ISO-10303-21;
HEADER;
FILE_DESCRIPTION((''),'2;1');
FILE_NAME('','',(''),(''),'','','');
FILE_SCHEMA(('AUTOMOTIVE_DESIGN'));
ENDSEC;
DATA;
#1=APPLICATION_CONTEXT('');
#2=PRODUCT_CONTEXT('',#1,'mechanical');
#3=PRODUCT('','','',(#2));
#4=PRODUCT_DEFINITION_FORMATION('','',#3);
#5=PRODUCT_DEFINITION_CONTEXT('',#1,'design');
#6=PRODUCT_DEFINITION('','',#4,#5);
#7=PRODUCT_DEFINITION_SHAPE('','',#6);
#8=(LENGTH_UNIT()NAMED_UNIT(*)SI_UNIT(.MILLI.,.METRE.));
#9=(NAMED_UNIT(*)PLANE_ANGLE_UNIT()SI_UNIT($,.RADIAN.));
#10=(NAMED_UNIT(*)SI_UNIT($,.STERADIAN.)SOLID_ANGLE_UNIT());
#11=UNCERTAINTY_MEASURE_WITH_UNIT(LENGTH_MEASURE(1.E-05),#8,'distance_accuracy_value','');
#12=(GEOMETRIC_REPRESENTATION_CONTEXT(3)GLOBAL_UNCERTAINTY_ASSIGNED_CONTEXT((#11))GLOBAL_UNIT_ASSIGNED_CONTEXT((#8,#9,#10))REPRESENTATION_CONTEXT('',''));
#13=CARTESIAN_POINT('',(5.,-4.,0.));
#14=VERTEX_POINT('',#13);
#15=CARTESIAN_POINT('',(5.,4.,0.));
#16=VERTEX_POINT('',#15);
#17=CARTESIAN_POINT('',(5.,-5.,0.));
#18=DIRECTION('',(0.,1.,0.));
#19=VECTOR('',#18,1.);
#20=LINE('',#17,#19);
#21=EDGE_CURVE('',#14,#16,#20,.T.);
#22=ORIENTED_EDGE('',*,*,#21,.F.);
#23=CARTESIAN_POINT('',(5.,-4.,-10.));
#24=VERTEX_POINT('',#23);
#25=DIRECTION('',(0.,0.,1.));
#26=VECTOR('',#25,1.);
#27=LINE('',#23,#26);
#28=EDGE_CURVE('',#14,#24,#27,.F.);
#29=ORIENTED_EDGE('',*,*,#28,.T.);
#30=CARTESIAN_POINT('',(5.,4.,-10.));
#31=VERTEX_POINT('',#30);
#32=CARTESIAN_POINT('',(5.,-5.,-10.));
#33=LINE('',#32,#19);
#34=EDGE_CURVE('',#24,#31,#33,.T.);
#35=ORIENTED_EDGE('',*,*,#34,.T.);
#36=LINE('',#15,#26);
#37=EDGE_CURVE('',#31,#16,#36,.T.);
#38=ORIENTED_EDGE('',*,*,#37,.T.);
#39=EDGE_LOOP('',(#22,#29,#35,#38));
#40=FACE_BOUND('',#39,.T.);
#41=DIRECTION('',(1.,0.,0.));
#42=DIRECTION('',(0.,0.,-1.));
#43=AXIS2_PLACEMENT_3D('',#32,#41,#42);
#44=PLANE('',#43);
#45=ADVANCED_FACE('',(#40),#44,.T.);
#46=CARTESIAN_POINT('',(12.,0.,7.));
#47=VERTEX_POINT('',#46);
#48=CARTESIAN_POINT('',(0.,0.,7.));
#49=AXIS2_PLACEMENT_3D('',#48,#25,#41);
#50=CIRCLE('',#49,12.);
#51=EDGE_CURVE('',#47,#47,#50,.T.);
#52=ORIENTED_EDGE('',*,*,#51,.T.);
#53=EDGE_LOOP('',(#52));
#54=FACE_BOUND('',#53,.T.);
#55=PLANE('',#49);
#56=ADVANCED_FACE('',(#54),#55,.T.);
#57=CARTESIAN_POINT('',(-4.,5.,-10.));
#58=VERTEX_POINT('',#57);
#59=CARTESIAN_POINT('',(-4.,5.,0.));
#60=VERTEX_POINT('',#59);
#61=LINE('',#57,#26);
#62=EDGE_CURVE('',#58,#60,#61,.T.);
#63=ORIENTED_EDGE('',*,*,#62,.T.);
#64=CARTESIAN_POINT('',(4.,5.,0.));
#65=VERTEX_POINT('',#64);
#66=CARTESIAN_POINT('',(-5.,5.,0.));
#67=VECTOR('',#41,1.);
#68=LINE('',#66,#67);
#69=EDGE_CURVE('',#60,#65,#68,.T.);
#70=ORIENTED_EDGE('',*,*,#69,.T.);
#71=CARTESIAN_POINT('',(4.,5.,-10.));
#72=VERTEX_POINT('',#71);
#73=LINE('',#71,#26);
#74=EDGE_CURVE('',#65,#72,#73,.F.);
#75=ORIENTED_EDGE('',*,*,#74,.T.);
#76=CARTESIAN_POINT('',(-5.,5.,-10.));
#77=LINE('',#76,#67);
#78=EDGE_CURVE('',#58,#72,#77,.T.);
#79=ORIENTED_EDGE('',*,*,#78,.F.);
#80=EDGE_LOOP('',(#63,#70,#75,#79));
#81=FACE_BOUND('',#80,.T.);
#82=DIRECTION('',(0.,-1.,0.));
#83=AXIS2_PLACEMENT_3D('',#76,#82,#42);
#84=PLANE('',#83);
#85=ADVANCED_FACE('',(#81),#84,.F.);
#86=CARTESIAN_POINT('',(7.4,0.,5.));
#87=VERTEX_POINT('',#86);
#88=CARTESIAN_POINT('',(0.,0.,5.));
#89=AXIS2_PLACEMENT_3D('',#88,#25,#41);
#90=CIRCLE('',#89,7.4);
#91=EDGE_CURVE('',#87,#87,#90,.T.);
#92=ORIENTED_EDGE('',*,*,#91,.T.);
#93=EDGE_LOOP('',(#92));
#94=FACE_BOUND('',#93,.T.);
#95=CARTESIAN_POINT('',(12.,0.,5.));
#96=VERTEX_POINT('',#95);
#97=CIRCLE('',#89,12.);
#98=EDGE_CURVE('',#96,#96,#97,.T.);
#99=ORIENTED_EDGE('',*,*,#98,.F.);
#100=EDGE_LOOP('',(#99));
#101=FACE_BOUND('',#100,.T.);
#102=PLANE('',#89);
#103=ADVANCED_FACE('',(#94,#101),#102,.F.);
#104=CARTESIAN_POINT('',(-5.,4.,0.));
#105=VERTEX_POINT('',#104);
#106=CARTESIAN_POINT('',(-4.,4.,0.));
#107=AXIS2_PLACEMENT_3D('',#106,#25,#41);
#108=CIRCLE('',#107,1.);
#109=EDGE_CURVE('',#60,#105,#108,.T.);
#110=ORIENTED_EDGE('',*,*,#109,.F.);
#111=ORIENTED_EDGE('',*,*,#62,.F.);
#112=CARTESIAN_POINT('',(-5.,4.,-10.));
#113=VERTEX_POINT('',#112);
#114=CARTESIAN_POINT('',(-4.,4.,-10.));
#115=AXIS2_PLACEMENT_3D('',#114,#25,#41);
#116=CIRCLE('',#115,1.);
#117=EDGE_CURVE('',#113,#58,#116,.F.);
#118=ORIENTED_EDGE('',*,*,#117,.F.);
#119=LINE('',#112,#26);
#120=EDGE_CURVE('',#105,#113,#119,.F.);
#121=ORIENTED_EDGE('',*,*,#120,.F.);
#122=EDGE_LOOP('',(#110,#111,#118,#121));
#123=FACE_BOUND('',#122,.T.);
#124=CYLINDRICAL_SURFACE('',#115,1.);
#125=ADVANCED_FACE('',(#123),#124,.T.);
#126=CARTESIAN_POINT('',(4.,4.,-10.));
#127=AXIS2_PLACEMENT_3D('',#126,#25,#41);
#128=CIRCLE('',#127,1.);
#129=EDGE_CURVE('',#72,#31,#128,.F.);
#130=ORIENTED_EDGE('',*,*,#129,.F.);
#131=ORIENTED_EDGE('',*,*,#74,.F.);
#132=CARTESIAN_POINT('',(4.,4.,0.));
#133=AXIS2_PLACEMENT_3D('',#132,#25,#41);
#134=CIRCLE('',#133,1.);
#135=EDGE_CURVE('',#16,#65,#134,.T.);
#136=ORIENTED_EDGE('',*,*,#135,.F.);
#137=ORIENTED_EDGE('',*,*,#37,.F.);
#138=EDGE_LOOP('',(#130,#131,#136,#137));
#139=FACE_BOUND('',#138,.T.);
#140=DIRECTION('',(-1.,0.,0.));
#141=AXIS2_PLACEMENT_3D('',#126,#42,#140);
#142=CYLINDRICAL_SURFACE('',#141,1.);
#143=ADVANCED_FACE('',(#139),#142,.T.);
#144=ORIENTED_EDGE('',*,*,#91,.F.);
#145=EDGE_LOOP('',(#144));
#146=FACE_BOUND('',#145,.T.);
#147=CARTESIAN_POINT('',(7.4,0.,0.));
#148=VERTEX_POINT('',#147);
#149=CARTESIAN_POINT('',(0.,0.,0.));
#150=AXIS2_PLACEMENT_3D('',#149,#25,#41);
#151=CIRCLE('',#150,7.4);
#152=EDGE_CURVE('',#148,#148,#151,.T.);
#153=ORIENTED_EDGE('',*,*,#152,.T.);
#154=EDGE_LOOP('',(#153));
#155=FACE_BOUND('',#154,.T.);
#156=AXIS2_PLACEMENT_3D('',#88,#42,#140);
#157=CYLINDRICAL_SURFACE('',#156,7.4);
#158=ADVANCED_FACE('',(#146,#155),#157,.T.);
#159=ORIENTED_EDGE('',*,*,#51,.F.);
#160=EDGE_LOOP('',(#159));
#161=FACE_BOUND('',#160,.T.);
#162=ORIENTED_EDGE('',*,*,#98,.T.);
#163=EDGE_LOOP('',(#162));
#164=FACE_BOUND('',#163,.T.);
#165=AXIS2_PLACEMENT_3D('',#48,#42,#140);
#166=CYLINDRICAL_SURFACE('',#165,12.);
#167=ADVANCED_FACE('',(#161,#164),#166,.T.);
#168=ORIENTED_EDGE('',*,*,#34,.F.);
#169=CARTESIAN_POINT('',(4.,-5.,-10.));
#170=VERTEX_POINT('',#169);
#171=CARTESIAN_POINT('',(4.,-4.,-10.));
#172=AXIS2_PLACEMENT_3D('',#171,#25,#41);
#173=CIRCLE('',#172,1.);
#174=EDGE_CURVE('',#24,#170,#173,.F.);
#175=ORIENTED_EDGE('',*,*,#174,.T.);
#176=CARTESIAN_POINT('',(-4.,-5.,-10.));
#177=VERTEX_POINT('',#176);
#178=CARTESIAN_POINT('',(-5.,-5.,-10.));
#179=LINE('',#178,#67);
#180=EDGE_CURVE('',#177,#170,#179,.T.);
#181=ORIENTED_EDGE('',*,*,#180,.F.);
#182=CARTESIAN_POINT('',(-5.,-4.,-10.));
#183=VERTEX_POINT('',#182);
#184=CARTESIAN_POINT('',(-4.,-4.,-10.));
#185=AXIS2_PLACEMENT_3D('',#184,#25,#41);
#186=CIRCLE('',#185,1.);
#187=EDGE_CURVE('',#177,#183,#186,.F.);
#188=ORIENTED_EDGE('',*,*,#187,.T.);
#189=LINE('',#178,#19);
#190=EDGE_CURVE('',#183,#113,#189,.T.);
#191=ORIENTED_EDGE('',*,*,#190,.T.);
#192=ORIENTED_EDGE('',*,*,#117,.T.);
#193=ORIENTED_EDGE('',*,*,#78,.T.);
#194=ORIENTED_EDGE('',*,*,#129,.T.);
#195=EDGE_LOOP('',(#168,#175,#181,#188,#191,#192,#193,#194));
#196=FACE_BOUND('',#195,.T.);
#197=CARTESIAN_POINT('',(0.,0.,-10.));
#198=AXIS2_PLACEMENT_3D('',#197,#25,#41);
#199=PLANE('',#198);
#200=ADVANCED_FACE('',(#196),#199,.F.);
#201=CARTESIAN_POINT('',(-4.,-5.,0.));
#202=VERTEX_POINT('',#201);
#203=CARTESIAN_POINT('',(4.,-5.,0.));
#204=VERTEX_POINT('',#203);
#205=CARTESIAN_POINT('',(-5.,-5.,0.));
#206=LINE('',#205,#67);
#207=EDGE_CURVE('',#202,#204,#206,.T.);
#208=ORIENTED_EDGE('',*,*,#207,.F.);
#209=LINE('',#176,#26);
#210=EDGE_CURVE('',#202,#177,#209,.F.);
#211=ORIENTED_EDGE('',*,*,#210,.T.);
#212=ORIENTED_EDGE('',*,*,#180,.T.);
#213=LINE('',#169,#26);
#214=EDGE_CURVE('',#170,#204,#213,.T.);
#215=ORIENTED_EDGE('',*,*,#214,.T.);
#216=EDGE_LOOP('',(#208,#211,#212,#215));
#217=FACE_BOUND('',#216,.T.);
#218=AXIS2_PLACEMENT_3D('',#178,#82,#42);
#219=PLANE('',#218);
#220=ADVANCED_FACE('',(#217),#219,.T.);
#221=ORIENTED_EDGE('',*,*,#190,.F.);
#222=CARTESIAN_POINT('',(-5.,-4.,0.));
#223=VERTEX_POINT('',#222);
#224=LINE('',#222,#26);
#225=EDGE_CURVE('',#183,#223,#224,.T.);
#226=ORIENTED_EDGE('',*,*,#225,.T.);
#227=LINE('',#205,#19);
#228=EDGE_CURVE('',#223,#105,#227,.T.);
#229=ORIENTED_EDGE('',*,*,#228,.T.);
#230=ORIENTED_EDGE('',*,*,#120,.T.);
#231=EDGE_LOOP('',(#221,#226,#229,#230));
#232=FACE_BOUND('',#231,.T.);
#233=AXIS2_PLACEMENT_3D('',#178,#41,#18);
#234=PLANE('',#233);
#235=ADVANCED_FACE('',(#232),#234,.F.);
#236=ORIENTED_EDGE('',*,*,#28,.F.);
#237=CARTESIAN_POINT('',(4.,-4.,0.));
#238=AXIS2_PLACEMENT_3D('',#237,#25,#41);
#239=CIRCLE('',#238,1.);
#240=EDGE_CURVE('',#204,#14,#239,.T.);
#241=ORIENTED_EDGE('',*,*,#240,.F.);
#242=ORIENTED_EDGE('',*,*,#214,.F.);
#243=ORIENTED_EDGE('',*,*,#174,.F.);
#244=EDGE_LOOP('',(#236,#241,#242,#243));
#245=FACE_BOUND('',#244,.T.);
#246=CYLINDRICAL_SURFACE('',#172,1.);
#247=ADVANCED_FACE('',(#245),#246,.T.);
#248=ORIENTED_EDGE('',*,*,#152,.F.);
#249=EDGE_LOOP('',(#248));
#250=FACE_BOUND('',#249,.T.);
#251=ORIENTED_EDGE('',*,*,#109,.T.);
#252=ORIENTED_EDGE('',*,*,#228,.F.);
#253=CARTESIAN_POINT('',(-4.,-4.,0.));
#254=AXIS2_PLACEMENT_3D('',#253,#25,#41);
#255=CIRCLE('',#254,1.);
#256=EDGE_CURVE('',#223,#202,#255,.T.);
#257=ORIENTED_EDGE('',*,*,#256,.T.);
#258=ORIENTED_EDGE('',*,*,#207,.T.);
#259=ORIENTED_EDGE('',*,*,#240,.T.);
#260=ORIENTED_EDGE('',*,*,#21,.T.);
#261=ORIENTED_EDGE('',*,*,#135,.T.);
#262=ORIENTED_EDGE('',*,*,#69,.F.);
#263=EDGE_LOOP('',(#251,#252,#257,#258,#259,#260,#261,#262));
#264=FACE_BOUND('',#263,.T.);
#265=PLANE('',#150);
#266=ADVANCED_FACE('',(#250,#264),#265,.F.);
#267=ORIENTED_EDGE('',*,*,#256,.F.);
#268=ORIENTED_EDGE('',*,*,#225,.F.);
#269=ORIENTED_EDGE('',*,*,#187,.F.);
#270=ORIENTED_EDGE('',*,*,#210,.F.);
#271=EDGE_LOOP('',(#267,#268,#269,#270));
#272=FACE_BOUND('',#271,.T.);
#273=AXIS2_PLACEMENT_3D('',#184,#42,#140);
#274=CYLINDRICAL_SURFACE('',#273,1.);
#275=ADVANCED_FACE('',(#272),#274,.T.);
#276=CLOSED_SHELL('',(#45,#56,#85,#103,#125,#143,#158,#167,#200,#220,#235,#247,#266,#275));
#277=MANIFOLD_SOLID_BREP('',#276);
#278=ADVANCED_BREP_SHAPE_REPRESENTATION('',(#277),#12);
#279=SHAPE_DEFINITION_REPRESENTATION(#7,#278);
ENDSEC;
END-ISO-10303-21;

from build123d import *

# Parameters (mm, degrees)
SKETCH1_W           = 10
SKETCH1_H           = 10
BOSS_EXTRUDE1_DEPTH = 10
SKETCH1_4_R         = 7.4
BOSS_EXTRUDE2_DEPTH = 5
FILLET1_R           = 1
BOSS_EXTRUDE3_START = 5
SKETCH2_R           = 12
BOSS_EXTRUDE3_DEPTH = 2


with BuildPart() as part:
    # Sketch1 → Boss-Extrude1 (new body)
    with BuildSketch(Plane.XY):
        Rectangle(SKETCH1_W, SKETCH1_H)
    extrude(amount=-BOSS_EXTRUDE1_DEPTH)

    # Sketch1<4> → Boss-Extrude2 (add)
    with BuildSketch(Plane.XY):
        Circle(SKETCH1_4_R)
    extrude(amount=BOSS_EXTRUDE2_DEPTH)

    # Fillet1
    fillet1_edges = [part.edges().sort_by_distance(p)[0] for p in [
        (-5, -5, -5),
        (-5, 5, -5),
        (5, 5, -5),
        (5, -5, -5),
    ]]
    fillet(fillet1_edges, radius=FILLET1_R)

    # Sketch2 → Boss-Extrude3 (add)
    with BuildSketch(Plane.XY.offset(BOSS_EXTRUDE3_START)):
        Circle(SKETCH2_R)
    extrude(amount=BOSS_EXTRUDE3_DEPTH)


solid = part.part
